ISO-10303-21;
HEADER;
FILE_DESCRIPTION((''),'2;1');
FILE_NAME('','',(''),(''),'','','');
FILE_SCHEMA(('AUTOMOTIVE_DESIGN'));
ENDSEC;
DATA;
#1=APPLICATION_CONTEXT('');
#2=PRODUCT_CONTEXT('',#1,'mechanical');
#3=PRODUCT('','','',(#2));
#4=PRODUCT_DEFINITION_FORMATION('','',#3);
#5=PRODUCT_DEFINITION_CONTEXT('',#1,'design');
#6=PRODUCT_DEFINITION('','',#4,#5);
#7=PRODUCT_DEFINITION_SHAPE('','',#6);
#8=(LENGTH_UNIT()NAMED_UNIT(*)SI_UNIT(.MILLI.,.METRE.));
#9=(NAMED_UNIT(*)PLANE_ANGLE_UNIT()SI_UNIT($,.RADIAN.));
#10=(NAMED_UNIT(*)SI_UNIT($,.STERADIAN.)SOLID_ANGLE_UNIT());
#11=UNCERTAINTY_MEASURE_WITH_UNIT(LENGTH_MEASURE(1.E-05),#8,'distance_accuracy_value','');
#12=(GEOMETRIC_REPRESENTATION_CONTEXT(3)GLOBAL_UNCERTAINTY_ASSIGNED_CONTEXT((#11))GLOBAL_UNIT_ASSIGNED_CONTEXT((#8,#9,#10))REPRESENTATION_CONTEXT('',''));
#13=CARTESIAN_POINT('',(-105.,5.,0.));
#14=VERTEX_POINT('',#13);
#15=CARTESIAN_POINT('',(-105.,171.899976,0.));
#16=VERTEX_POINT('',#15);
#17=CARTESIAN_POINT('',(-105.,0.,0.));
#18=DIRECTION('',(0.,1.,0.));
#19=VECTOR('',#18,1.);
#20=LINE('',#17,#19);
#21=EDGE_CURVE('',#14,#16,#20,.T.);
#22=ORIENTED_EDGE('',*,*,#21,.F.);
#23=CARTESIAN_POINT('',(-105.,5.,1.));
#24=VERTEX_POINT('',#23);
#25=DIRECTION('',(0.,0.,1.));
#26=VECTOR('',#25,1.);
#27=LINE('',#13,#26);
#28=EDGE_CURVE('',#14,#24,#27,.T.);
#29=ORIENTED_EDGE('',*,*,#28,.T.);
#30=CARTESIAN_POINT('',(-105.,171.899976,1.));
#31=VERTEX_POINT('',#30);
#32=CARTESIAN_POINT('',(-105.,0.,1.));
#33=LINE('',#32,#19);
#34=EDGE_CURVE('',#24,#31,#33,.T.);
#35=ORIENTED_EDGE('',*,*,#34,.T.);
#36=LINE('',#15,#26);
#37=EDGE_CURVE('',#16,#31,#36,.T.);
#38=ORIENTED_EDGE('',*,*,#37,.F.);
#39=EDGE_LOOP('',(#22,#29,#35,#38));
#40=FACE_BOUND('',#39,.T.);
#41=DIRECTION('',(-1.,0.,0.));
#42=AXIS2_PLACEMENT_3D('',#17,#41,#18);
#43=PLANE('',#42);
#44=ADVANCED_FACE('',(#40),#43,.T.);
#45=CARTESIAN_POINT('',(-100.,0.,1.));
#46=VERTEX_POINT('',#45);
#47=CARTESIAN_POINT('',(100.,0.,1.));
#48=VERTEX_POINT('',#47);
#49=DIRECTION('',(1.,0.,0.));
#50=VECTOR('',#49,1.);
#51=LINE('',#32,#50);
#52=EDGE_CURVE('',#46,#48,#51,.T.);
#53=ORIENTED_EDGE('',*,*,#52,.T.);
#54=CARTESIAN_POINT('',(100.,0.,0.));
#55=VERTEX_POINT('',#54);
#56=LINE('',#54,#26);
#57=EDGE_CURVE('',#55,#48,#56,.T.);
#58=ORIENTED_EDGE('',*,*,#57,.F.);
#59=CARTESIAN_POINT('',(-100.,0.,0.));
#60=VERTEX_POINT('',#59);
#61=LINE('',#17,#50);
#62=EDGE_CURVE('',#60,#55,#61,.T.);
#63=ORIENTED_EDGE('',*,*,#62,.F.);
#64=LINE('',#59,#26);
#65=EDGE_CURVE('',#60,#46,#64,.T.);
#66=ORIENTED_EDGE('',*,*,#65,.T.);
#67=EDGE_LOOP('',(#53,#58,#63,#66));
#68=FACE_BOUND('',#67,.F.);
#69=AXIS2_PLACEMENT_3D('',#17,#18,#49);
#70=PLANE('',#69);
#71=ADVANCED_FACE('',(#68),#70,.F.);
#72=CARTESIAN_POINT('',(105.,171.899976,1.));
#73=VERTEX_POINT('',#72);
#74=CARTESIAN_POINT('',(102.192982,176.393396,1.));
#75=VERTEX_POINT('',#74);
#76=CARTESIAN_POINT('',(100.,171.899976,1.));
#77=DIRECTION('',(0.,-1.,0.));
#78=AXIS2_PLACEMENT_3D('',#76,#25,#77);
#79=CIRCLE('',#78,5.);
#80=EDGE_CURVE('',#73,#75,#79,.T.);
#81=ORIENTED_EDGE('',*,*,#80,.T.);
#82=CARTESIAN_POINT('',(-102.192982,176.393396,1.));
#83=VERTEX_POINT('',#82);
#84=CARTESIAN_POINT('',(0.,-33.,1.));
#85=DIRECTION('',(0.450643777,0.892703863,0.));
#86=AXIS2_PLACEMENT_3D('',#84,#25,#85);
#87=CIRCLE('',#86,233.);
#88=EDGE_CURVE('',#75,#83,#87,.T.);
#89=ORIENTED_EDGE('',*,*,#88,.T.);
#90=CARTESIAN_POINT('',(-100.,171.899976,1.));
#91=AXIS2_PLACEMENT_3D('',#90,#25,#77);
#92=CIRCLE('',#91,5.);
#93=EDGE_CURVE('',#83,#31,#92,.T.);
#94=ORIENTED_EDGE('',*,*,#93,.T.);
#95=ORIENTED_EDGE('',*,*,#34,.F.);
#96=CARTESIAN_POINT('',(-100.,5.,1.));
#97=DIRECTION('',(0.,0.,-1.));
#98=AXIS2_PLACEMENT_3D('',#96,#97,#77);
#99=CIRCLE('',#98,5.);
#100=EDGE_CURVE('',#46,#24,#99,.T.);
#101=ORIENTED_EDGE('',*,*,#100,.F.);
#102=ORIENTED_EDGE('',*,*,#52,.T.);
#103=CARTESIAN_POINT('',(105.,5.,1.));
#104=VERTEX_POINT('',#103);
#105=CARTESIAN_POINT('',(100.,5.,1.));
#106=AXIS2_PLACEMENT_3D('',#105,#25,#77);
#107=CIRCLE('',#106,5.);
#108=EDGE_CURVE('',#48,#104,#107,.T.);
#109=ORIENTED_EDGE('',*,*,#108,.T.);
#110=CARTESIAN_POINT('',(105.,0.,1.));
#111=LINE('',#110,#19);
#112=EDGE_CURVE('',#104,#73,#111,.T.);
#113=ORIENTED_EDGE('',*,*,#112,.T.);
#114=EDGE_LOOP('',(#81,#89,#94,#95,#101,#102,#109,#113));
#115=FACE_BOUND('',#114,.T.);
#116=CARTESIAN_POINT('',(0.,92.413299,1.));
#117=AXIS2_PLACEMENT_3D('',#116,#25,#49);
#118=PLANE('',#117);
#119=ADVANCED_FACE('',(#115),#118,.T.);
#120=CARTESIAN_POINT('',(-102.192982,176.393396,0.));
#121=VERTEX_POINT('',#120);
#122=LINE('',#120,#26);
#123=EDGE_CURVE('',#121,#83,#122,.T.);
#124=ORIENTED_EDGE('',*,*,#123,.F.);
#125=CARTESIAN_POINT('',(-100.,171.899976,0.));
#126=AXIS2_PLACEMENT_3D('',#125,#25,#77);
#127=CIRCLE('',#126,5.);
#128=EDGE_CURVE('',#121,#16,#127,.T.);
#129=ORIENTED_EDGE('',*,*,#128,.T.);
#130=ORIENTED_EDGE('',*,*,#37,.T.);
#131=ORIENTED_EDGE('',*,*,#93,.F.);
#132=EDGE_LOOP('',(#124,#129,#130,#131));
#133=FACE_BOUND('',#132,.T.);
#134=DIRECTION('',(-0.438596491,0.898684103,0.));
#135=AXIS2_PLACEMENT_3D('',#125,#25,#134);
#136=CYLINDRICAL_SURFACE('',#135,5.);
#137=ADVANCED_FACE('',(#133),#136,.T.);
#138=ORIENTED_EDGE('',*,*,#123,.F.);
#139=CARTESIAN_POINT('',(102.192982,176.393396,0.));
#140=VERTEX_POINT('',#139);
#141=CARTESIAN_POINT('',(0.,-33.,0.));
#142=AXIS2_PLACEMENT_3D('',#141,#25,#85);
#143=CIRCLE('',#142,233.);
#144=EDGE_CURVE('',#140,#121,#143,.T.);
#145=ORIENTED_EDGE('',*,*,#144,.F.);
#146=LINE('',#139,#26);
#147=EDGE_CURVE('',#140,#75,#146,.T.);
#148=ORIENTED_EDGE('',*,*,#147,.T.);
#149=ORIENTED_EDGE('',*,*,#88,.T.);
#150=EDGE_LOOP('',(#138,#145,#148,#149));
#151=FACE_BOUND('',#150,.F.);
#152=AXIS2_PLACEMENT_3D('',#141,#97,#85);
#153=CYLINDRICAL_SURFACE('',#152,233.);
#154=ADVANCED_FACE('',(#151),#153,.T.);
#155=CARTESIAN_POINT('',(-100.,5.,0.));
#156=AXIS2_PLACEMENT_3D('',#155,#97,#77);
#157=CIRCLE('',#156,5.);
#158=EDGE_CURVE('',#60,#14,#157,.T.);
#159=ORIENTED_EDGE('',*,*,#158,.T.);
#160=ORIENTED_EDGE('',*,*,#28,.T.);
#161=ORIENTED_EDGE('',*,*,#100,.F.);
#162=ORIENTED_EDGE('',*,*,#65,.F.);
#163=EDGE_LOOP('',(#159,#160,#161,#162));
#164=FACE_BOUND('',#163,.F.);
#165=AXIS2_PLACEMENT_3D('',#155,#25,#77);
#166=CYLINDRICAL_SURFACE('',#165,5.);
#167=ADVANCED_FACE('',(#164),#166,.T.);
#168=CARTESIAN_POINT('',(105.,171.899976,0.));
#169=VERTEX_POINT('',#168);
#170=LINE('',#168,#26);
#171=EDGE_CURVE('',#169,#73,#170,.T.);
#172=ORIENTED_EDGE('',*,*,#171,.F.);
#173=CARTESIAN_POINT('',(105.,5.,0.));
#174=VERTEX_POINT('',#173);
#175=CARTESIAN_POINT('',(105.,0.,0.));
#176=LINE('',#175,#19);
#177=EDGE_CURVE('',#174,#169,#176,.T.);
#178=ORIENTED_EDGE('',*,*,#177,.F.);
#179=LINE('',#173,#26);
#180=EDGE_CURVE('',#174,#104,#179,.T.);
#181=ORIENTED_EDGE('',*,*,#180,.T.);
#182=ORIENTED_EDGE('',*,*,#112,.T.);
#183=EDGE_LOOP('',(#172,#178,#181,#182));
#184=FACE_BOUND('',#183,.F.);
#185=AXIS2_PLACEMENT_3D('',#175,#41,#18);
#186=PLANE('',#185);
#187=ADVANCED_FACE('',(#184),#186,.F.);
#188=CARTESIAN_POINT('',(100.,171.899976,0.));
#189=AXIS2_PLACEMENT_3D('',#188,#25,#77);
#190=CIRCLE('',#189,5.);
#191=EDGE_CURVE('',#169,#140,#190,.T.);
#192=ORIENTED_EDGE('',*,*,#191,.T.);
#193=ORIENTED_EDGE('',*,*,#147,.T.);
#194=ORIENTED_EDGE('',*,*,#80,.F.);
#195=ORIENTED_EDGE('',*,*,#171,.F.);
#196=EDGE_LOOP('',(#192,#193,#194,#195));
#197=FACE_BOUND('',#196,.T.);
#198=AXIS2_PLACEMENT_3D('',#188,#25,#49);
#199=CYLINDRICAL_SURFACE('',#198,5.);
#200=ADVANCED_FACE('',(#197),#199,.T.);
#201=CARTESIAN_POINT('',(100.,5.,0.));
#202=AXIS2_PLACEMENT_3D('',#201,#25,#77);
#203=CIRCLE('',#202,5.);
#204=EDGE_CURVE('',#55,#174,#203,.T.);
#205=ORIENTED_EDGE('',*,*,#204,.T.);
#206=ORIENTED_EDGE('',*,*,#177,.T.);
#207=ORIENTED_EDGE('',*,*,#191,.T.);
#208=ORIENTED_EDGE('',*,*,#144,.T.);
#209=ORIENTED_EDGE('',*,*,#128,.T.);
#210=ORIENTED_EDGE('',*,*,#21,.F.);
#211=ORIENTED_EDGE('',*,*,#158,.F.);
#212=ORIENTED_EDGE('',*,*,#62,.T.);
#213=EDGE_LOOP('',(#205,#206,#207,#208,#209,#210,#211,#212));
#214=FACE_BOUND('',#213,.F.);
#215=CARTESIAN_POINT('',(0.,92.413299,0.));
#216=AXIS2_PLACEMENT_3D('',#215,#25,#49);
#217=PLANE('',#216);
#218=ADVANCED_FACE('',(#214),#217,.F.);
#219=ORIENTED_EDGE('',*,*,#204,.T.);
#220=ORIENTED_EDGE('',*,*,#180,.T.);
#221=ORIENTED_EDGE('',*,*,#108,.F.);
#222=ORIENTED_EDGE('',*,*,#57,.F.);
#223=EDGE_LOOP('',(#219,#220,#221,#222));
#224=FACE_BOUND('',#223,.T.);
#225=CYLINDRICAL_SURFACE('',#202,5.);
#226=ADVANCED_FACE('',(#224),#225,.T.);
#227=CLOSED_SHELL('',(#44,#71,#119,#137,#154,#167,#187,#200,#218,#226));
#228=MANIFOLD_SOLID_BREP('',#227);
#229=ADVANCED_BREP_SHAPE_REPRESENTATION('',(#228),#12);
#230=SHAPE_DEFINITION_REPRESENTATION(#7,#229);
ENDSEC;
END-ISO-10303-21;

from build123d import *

# Parameters (mm, degrees)
PAD_DEPTH = 1
FILLET_R  = 5


with BuildPart() as part:
    # Sketch → Pad (new body)
    with BuildSketch(Plane.XY):
        with BuildLine():
            Line((-105, 0), (105, 0))
            Line((105, 0), (105, 175))
            ThreePointArc((105, 175), (0, 200), (-105, 175))
            Line((-105, 0), (-105, 175))
        make_face()
    extrude(amount=PAD_DEPTH)

    # Fillet
    fillet_edges = [part.edges().sort_by_distance(p)[0] for p in [
        (105, 0, 0.5),
        (105, 175, 0.5),
        (-105, 175, 0.5),
        (-105, 0, 0.5),
    ]]
    fillet(fillet_edges, radius=FILLET_R)


solid = part.part
